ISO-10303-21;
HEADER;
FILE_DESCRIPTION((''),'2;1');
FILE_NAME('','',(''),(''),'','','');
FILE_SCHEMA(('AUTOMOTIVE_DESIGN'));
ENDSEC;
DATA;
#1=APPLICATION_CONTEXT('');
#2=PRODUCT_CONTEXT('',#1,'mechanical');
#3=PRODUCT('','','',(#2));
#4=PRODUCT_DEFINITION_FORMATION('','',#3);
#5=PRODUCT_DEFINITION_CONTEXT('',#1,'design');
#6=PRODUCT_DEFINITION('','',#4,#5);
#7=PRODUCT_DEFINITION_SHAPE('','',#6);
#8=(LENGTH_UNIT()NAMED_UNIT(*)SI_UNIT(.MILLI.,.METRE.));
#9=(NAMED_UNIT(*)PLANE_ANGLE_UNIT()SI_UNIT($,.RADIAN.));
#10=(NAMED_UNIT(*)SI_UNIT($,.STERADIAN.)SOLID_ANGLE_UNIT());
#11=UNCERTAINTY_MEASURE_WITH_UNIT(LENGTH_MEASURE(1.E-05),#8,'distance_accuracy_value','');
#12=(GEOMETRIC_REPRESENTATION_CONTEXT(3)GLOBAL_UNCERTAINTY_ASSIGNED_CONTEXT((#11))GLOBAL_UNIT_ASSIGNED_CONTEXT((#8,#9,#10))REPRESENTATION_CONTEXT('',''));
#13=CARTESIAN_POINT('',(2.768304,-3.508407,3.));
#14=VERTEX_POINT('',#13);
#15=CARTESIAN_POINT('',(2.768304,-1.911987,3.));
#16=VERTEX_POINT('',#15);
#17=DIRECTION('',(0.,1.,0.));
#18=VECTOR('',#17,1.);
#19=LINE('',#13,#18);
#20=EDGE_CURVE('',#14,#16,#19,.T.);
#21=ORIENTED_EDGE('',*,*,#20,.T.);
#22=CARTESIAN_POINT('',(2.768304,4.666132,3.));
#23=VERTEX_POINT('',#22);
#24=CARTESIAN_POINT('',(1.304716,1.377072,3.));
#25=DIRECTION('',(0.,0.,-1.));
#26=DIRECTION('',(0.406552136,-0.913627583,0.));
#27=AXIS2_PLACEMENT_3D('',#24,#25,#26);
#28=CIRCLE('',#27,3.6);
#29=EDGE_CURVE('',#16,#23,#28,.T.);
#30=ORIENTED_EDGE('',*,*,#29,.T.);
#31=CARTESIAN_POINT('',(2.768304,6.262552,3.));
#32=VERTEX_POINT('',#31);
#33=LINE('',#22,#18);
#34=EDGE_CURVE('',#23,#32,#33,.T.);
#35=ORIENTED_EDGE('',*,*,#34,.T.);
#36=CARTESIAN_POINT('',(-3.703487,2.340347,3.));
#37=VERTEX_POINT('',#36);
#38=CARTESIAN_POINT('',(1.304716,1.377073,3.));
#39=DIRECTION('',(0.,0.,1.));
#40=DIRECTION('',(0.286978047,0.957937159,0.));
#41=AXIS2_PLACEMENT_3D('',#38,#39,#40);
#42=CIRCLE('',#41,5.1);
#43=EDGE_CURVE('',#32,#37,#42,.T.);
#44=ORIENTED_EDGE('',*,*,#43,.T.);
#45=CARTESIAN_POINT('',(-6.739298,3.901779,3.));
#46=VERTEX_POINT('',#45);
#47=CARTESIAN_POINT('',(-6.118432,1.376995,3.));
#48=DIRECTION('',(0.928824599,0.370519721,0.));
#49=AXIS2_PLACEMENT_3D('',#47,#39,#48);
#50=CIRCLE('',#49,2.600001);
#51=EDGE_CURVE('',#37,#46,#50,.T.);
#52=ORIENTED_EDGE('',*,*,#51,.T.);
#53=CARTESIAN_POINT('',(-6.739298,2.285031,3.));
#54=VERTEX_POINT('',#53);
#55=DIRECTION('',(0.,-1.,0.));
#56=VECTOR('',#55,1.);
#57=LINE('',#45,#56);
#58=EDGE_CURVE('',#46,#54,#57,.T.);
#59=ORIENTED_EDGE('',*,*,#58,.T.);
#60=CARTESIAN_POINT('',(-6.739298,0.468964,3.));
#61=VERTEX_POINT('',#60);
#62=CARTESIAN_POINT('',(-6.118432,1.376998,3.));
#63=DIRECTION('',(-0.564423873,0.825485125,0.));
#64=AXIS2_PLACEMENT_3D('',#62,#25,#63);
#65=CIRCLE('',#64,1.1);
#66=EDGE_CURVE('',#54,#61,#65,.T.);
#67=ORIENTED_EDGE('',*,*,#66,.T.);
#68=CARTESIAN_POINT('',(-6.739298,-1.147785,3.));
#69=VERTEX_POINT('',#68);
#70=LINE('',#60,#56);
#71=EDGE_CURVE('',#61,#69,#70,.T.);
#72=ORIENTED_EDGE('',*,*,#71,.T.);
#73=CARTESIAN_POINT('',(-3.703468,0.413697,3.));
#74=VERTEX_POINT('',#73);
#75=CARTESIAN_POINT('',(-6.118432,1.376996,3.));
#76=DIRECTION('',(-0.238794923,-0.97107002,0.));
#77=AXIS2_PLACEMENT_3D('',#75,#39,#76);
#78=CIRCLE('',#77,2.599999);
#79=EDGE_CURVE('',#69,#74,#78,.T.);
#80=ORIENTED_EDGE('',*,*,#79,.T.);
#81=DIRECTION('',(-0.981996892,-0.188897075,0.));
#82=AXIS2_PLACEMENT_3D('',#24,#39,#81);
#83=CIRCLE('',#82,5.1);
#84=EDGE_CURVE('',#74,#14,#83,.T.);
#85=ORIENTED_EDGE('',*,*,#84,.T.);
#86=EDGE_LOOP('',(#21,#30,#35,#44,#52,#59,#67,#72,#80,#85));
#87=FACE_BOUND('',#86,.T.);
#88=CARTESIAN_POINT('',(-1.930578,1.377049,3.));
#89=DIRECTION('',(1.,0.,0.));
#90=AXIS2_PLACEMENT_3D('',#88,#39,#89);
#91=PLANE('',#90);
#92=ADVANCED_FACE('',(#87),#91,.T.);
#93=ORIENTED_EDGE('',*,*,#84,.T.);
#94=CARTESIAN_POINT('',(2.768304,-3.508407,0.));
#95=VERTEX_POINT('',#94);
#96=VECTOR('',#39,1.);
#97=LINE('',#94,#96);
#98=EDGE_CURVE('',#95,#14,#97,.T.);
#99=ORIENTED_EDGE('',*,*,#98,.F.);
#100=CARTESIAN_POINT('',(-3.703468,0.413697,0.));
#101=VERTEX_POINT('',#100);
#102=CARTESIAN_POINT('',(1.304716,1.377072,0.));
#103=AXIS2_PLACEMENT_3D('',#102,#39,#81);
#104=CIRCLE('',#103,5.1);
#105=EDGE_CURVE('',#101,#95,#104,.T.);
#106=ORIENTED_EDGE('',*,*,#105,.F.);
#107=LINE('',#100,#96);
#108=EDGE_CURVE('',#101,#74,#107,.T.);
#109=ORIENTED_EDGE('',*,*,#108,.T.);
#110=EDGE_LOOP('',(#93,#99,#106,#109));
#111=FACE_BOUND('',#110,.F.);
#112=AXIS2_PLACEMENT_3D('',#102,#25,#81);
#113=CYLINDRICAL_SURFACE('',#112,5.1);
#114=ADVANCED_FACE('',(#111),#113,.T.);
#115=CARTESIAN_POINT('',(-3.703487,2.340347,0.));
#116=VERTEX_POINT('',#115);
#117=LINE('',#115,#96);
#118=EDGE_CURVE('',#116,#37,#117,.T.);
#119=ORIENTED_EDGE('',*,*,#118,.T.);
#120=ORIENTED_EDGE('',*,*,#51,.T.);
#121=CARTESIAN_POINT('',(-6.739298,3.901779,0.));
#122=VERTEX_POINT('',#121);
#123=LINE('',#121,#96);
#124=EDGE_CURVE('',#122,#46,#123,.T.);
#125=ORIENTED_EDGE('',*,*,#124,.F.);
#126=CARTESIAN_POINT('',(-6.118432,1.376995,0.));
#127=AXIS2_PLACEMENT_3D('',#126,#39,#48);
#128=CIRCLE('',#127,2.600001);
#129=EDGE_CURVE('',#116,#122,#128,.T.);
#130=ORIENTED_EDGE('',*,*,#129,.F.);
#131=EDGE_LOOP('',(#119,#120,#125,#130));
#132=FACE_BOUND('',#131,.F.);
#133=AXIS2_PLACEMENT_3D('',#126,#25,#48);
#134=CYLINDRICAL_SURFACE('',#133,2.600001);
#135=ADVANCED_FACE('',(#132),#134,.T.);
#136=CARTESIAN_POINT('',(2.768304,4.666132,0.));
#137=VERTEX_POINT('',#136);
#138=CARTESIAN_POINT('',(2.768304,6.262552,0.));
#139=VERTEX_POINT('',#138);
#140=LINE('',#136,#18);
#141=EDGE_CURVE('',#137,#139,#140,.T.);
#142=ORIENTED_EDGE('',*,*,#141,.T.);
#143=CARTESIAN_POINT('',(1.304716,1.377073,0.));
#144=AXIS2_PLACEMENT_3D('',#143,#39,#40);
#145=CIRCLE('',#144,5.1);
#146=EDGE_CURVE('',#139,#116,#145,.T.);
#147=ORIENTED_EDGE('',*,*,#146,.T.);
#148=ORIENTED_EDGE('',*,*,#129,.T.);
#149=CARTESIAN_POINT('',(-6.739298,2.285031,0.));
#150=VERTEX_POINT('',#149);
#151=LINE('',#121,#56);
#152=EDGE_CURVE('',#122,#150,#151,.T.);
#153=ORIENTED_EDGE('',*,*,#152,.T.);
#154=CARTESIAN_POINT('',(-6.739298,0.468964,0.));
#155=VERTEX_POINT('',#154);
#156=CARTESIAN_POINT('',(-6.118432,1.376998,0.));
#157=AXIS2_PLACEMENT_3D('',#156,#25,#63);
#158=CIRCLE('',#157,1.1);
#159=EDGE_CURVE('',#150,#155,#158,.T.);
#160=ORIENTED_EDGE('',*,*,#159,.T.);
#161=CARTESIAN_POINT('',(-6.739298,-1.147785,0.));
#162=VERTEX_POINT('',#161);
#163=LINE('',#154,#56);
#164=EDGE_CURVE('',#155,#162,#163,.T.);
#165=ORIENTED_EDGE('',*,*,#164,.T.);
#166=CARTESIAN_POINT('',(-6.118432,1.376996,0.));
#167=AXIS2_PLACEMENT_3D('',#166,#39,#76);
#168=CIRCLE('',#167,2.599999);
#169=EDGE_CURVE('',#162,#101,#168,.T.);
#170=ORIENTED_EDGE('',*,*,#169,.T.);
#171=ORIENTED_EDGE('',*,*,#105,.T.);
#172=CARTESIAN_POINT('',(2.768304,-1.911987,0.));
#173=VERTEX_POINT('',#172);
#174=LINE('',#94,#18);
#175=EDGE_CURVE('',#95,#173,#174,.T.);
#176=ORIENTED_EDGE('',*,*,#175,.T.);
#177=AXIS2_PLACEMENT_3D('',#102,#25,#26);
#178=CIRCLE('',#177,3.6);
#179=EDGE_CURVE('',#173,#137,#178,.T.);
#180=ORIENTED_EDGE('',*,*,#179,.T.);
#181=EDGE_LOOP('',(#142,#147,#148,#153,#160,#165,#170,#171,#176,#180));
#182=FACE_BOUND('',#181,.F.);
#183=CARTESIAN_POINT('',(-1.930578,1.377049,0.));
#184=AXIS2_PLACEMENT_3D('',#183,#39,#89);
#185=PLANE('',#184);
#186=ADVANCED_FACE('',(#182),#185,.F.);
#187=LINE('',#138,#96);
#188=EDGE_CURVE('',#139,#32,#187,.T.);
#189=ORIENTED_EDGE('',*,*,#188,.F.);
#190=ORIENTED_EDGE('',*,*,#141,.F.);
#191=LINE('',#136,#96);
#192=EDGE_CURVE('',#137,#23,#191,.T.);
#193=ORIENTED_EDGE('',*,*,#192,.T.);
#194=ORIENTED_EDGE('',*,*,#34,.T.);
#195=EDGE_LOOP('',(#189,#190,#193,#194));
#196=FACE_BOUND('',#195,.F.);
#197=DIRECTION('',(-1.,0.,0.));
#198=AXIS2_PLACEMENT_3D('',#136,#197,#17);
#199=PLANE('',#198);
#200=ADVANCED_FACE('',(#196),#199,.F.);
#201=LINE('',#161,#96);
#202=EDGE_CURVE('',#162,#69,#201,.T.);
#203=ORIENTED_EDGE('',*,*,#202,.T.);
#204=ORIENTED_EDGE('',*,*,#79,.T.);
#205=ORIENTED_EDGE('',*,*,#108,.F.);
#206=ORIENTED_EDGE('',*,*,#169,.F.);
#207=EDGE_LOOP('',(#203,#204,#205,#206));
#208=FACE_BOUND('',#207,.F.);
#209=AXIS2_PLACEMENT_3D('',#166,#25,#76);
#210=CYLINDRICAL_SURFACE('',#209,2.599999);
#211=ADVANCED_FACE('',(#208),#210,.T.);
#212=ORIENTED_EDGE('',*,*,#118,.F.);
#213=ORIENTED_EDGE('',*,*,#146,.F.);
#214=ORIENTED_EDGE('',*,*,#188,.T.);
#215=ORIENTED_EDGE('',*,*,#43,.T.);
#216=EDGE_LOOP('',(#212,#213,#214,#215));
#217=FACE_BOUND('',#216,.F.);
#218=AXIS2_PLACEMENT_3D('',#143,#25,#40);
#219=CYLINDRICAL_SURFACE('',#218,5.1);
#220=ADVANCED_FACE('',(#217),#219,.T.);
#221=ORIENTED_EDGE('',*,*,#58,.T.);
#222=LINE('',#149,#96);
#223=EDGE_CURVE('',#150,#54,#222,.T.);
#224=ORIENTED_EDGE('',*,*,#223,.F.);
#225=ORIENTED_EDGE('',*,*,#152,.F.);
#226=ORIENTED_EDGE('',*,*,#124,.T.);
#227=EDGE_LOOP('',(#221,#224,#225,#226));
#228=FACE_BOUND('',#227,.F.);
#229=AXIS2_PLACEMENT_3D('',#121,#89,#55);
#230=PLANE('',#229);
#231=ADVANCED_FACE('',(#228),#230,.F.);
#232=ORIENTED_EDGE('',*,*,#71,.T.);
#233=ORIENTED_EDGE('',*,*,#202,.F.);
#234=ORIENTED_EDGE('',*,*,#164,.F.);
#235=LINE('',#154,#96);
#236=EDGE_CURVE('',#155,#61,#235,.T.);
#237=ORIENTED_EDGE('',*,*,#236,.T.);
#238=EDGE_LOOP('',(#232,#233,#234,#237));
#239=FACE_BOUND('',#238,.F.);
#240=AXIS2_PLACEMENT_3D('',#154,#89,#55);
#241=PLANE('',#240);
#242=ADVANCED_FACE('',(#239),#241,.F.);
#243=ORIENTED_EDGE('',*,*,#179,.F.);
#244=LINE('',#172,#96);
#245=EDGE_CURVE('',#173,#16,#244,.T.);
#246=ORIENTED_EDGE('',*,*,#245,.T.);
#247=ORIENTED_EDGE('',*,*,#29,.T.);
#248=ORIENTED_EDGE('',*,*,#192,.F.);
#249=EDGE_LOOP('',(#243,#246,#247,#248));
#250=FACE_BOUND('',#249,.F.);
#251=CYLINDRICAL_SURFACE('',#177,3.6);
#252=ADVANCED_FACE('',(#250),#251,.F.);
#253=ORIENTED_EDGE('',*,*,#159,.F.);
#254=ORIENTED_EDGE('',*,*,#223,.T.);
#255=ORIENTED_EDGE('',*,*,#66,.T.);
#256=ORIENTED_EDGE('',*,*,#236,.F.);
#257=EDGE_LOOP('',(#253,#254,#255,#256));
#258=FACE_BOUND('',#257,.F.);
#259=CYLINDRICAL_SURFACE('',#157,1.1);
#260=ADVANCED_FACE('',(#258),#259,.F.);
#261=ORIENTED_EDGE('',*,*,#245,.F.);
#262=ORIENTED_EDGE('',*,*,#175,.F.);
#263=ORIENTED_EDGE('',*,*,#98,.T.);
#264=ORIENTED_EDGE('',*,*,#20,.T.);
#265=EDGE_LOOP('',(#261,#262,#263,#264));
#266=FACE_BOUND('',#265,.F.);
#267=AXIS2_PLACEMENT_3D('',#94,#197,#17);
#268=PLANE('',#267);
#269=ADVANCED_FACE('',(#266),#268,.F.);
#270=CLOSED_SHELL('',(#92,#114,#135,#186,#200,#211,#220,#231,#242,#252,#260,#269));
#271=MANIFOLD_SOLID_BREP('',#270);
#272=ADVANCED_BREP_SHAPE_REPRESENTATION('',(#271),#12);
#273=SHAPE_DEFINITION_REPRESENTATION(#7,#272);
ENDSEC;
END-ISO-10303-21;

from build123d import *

# Parameters (mm, degrees)
F1_DEPTH = 3


with BuildPart() as f1:
    # F0 (on Top) → F1 (new body)
    with BuildSketch(Plane.XY):
        with BuildLine():
            ThreePointArc((2.768304, -1.911987), (-2.295284, 1.377072), (2.768304, 4.666132))
            Line((2.768304, 4.666132), (2.768304, 6.262552))
            ThreePointArc((2.768304, 6.262552), (-1.338577, 5.738609), (-3.703487, 2.340347))
            ThreePointArc((-3.703487, 2.340347), (-4.929232, 3.689096), (-6.739298, 3.901779))
            Line((-6.739298, 3.901779), (-6.739298, 2.285031))
            ThreePointArc((-6.739298, 2.285031), (-5.018432, 1.376997), (-6.739298, 0.468964))
            Line((-6.739298, 0.468964), (-6.739298, -1.147785))
            ThreePointArc((-6.739298, -1.147785), (-4.929208, -0.93509), (-3.703468, 0.413697))
            ThreePointArc((-3.703468, 0.413697), (-1.338533, -2.984491), (2.768304, -3.508407))
            Line((2.768304, -3.508407), (2.768304, -1.911987))
        make_face()
    extrude(amount=F1_DEPTH)


solid = f1.part
